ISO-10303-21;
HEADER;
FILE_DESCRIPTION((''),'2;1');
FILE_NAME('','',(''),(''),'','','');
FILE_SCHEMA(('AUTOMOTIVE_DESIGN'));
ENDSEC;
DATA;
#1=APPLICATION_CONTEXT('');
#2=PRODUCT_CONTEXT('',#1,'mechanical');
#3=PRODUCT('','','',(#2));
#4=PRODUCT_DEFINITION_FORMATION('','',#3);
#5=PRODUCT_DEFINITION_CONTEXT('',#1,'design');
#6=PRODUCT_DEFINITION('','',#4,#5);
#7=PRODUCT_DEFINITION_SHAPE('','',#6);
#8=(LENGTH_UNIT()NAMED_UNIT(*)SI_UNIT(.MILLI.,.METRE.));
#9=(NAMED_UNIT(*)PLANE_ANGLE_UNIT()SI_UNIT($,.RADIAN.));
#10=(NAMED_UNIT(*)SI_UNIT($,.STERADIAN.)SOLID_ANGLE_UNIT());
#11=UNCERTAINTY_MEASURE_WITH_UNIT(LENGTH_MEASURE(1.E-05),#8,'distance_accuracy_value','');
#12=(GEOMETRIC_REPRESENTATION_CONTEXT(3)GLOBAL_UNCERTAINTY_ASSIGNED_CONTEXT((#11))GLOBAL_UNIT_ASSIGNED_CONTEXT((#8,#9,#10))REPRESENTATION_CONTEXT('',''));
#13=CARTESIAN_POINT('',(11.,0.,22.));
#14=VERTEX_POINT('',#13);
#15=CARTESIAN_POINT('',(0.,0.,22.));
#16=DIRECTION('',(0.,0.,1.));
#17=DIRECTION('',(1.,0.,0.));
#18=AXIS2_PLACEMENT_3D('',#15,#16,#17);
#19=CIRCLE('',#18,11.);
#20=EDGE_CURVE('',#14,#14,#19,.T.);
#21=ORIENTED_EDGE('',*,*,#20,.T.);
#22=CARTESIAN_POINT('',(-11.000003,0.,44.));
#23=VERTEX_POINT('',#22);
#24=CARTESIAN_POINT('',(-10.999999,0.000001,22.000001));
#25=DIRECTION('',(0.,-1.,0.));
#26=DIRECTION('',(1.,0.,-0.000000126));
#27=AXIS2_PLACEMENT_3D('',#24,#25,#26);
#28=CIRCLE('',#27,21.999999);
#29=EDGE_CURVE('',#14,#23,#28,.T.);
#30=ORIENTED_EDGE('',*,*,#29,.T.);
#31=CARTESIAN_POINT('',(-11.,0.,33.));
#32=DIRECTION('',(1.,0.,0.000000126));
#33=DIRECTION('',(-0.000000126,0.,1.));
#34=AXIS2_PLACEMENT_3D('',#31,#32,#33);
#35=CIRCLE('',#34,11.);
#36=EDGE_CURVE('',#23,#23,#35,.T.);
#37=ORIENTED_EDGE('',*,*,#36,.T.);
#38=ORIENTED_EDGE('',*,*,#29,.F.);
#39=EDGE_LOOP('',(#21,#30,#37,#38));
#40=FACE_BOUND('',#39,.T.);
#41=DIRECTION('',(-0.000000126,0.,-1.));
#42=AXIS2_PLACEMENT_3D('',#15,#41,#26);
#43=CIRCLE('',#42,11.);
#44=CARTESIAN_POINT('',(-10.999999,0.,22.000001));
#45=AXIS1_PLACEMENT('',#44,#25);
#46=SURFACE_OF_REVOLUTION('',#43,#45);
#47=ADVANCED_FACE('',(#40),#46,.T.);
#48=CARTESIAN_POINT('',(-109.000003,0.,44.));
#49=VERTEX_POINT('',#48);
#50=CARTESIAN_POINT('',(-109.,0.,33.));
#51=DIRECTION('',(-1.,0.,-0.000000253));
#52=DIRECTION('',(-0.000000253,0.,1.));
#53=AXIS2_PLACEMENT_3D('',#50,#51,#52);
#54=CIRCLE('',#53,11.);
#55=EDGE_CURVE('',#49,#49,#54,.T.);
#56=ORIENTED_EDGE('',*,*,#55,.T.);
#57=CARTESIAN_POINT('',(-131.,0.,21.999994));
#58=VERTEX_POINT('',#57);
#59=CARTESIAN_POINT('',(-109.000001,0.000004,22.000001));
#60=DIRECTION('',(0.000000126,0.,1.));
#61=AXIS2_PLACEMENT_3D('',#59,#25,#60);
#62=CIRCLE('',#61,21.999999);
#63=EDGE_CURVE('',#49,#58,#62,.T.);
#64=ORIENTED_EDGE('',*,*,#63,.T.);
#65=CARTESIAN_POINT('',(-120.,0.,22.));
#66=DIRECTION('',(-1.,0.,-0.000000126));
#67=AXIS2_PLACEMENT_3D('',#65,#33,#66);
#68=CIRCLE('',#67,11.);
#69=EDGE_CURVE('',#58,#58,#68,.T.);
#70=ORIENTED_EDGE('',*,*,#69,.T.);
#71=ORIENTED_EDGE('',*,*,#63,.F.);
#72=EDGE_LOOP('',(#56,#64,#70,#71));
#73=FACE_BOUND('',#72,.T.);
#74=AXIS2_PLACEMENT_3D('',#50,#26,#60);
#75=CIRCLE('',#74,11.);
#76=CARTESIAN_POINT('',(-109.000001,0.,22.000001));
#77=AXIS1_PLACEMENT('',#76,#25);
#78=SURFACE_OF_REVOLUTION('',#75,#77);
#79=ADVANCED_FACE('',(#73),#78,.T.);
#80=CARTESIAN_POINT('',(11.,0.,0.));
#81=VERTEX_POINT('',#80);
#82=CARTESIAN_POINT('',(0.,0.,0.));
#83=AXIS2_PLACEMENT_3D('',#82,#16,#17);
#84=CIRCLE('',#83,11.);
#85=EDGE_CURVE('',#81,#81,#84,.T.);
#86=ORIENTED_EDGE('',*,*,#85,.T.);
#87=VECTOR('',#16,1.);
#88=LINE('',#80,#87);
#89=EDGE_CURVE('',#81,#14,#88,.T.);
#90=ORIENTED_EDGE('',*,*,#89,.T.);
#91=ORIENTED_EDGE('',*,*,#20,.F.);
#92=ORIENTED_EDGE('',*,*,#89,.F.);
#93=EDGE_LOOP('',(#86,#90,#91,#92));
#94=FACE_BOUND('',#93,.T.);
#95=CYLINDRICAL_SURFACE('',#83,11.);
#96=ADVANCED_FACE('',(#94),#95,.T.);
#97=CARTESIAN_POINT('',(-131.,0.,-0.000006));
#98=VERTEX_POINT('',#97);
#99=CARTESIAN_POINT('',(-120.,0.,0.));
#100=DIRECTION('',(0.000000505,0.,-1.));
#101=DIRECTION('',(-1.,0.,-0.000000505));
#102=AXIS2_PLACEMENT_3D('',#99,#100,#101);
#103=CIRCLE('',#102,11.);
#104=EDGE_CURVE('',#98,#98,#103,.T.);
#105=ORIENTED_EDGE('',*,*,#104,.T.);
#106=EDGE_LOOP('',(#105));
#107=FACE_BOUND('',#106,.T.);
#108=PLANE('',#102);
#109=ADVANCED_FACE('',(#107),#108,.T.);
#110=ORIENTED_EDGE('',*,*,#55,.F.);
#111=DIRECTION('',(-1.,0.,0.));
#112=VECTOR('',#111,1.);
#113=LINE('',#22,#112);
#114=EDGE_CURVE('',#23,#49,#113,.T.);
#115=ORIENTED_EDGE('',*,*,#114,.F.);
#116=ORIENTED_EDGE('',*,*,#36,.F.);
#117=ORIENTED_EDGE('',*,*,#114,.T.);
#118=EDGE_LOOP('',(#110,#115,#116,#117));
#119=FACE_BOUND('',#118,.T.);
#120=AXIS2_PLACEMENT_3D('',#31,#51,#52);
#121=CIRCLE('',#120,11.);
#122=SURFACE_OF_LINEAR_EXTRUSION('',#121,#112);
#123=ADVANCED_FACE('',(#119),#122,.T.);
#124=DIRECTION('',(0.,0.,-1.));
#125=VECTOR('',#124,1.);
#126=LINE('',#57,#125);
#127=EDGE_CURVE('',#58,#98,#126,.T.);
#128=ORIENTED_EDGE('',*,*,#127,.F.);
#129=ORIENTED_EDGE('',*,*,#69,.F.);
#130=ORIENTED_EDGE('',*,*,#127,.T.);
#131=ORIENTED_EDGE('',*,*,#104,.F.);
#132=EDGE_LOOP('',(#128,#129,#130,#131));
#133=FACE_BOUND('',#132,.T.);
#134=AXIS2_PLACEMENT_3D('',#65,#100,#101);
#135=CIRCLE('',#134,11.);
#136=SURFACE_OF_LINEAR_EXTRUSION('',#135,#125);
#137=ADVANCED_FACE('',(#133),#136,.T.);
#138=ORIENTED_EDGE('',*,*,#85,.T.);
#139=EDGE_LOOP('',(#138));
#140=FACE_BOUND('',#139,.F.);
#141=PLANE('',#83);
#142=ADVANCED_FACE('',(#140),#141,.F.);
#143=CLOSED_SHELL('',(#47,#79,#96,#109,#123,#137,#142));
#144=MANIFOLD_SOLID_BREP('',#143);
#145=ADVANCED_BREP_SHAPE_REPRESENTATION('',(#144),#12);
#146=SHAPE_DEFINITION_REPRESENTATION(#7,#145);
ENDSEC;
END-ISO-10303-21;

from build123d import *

# Parameters (mm, degrees)
F0_R = 11


with BuildPart() as f2:
    # F2: sweep along a path in F1
    with BuildLine(Plane.XZ) as f2_path:
        Line((0, 0), (0, 22))
        ThreePointArc((0, 22), (-3.221825, 29.778175), (-11, 33))
        Line((-11, 33), (-109, 33))
        ThreePointArc((-109, 33), (-116.778175, 29.778175), (-120, 22))
        Line((-120, 22), (-120, 0))
    # F0 (on Top) → F2 (sweep)
    with BuildSketch(Plane.XY):
        Circle(F0_R)
    sweep(path=f2_path.line)


solid = f2.part
